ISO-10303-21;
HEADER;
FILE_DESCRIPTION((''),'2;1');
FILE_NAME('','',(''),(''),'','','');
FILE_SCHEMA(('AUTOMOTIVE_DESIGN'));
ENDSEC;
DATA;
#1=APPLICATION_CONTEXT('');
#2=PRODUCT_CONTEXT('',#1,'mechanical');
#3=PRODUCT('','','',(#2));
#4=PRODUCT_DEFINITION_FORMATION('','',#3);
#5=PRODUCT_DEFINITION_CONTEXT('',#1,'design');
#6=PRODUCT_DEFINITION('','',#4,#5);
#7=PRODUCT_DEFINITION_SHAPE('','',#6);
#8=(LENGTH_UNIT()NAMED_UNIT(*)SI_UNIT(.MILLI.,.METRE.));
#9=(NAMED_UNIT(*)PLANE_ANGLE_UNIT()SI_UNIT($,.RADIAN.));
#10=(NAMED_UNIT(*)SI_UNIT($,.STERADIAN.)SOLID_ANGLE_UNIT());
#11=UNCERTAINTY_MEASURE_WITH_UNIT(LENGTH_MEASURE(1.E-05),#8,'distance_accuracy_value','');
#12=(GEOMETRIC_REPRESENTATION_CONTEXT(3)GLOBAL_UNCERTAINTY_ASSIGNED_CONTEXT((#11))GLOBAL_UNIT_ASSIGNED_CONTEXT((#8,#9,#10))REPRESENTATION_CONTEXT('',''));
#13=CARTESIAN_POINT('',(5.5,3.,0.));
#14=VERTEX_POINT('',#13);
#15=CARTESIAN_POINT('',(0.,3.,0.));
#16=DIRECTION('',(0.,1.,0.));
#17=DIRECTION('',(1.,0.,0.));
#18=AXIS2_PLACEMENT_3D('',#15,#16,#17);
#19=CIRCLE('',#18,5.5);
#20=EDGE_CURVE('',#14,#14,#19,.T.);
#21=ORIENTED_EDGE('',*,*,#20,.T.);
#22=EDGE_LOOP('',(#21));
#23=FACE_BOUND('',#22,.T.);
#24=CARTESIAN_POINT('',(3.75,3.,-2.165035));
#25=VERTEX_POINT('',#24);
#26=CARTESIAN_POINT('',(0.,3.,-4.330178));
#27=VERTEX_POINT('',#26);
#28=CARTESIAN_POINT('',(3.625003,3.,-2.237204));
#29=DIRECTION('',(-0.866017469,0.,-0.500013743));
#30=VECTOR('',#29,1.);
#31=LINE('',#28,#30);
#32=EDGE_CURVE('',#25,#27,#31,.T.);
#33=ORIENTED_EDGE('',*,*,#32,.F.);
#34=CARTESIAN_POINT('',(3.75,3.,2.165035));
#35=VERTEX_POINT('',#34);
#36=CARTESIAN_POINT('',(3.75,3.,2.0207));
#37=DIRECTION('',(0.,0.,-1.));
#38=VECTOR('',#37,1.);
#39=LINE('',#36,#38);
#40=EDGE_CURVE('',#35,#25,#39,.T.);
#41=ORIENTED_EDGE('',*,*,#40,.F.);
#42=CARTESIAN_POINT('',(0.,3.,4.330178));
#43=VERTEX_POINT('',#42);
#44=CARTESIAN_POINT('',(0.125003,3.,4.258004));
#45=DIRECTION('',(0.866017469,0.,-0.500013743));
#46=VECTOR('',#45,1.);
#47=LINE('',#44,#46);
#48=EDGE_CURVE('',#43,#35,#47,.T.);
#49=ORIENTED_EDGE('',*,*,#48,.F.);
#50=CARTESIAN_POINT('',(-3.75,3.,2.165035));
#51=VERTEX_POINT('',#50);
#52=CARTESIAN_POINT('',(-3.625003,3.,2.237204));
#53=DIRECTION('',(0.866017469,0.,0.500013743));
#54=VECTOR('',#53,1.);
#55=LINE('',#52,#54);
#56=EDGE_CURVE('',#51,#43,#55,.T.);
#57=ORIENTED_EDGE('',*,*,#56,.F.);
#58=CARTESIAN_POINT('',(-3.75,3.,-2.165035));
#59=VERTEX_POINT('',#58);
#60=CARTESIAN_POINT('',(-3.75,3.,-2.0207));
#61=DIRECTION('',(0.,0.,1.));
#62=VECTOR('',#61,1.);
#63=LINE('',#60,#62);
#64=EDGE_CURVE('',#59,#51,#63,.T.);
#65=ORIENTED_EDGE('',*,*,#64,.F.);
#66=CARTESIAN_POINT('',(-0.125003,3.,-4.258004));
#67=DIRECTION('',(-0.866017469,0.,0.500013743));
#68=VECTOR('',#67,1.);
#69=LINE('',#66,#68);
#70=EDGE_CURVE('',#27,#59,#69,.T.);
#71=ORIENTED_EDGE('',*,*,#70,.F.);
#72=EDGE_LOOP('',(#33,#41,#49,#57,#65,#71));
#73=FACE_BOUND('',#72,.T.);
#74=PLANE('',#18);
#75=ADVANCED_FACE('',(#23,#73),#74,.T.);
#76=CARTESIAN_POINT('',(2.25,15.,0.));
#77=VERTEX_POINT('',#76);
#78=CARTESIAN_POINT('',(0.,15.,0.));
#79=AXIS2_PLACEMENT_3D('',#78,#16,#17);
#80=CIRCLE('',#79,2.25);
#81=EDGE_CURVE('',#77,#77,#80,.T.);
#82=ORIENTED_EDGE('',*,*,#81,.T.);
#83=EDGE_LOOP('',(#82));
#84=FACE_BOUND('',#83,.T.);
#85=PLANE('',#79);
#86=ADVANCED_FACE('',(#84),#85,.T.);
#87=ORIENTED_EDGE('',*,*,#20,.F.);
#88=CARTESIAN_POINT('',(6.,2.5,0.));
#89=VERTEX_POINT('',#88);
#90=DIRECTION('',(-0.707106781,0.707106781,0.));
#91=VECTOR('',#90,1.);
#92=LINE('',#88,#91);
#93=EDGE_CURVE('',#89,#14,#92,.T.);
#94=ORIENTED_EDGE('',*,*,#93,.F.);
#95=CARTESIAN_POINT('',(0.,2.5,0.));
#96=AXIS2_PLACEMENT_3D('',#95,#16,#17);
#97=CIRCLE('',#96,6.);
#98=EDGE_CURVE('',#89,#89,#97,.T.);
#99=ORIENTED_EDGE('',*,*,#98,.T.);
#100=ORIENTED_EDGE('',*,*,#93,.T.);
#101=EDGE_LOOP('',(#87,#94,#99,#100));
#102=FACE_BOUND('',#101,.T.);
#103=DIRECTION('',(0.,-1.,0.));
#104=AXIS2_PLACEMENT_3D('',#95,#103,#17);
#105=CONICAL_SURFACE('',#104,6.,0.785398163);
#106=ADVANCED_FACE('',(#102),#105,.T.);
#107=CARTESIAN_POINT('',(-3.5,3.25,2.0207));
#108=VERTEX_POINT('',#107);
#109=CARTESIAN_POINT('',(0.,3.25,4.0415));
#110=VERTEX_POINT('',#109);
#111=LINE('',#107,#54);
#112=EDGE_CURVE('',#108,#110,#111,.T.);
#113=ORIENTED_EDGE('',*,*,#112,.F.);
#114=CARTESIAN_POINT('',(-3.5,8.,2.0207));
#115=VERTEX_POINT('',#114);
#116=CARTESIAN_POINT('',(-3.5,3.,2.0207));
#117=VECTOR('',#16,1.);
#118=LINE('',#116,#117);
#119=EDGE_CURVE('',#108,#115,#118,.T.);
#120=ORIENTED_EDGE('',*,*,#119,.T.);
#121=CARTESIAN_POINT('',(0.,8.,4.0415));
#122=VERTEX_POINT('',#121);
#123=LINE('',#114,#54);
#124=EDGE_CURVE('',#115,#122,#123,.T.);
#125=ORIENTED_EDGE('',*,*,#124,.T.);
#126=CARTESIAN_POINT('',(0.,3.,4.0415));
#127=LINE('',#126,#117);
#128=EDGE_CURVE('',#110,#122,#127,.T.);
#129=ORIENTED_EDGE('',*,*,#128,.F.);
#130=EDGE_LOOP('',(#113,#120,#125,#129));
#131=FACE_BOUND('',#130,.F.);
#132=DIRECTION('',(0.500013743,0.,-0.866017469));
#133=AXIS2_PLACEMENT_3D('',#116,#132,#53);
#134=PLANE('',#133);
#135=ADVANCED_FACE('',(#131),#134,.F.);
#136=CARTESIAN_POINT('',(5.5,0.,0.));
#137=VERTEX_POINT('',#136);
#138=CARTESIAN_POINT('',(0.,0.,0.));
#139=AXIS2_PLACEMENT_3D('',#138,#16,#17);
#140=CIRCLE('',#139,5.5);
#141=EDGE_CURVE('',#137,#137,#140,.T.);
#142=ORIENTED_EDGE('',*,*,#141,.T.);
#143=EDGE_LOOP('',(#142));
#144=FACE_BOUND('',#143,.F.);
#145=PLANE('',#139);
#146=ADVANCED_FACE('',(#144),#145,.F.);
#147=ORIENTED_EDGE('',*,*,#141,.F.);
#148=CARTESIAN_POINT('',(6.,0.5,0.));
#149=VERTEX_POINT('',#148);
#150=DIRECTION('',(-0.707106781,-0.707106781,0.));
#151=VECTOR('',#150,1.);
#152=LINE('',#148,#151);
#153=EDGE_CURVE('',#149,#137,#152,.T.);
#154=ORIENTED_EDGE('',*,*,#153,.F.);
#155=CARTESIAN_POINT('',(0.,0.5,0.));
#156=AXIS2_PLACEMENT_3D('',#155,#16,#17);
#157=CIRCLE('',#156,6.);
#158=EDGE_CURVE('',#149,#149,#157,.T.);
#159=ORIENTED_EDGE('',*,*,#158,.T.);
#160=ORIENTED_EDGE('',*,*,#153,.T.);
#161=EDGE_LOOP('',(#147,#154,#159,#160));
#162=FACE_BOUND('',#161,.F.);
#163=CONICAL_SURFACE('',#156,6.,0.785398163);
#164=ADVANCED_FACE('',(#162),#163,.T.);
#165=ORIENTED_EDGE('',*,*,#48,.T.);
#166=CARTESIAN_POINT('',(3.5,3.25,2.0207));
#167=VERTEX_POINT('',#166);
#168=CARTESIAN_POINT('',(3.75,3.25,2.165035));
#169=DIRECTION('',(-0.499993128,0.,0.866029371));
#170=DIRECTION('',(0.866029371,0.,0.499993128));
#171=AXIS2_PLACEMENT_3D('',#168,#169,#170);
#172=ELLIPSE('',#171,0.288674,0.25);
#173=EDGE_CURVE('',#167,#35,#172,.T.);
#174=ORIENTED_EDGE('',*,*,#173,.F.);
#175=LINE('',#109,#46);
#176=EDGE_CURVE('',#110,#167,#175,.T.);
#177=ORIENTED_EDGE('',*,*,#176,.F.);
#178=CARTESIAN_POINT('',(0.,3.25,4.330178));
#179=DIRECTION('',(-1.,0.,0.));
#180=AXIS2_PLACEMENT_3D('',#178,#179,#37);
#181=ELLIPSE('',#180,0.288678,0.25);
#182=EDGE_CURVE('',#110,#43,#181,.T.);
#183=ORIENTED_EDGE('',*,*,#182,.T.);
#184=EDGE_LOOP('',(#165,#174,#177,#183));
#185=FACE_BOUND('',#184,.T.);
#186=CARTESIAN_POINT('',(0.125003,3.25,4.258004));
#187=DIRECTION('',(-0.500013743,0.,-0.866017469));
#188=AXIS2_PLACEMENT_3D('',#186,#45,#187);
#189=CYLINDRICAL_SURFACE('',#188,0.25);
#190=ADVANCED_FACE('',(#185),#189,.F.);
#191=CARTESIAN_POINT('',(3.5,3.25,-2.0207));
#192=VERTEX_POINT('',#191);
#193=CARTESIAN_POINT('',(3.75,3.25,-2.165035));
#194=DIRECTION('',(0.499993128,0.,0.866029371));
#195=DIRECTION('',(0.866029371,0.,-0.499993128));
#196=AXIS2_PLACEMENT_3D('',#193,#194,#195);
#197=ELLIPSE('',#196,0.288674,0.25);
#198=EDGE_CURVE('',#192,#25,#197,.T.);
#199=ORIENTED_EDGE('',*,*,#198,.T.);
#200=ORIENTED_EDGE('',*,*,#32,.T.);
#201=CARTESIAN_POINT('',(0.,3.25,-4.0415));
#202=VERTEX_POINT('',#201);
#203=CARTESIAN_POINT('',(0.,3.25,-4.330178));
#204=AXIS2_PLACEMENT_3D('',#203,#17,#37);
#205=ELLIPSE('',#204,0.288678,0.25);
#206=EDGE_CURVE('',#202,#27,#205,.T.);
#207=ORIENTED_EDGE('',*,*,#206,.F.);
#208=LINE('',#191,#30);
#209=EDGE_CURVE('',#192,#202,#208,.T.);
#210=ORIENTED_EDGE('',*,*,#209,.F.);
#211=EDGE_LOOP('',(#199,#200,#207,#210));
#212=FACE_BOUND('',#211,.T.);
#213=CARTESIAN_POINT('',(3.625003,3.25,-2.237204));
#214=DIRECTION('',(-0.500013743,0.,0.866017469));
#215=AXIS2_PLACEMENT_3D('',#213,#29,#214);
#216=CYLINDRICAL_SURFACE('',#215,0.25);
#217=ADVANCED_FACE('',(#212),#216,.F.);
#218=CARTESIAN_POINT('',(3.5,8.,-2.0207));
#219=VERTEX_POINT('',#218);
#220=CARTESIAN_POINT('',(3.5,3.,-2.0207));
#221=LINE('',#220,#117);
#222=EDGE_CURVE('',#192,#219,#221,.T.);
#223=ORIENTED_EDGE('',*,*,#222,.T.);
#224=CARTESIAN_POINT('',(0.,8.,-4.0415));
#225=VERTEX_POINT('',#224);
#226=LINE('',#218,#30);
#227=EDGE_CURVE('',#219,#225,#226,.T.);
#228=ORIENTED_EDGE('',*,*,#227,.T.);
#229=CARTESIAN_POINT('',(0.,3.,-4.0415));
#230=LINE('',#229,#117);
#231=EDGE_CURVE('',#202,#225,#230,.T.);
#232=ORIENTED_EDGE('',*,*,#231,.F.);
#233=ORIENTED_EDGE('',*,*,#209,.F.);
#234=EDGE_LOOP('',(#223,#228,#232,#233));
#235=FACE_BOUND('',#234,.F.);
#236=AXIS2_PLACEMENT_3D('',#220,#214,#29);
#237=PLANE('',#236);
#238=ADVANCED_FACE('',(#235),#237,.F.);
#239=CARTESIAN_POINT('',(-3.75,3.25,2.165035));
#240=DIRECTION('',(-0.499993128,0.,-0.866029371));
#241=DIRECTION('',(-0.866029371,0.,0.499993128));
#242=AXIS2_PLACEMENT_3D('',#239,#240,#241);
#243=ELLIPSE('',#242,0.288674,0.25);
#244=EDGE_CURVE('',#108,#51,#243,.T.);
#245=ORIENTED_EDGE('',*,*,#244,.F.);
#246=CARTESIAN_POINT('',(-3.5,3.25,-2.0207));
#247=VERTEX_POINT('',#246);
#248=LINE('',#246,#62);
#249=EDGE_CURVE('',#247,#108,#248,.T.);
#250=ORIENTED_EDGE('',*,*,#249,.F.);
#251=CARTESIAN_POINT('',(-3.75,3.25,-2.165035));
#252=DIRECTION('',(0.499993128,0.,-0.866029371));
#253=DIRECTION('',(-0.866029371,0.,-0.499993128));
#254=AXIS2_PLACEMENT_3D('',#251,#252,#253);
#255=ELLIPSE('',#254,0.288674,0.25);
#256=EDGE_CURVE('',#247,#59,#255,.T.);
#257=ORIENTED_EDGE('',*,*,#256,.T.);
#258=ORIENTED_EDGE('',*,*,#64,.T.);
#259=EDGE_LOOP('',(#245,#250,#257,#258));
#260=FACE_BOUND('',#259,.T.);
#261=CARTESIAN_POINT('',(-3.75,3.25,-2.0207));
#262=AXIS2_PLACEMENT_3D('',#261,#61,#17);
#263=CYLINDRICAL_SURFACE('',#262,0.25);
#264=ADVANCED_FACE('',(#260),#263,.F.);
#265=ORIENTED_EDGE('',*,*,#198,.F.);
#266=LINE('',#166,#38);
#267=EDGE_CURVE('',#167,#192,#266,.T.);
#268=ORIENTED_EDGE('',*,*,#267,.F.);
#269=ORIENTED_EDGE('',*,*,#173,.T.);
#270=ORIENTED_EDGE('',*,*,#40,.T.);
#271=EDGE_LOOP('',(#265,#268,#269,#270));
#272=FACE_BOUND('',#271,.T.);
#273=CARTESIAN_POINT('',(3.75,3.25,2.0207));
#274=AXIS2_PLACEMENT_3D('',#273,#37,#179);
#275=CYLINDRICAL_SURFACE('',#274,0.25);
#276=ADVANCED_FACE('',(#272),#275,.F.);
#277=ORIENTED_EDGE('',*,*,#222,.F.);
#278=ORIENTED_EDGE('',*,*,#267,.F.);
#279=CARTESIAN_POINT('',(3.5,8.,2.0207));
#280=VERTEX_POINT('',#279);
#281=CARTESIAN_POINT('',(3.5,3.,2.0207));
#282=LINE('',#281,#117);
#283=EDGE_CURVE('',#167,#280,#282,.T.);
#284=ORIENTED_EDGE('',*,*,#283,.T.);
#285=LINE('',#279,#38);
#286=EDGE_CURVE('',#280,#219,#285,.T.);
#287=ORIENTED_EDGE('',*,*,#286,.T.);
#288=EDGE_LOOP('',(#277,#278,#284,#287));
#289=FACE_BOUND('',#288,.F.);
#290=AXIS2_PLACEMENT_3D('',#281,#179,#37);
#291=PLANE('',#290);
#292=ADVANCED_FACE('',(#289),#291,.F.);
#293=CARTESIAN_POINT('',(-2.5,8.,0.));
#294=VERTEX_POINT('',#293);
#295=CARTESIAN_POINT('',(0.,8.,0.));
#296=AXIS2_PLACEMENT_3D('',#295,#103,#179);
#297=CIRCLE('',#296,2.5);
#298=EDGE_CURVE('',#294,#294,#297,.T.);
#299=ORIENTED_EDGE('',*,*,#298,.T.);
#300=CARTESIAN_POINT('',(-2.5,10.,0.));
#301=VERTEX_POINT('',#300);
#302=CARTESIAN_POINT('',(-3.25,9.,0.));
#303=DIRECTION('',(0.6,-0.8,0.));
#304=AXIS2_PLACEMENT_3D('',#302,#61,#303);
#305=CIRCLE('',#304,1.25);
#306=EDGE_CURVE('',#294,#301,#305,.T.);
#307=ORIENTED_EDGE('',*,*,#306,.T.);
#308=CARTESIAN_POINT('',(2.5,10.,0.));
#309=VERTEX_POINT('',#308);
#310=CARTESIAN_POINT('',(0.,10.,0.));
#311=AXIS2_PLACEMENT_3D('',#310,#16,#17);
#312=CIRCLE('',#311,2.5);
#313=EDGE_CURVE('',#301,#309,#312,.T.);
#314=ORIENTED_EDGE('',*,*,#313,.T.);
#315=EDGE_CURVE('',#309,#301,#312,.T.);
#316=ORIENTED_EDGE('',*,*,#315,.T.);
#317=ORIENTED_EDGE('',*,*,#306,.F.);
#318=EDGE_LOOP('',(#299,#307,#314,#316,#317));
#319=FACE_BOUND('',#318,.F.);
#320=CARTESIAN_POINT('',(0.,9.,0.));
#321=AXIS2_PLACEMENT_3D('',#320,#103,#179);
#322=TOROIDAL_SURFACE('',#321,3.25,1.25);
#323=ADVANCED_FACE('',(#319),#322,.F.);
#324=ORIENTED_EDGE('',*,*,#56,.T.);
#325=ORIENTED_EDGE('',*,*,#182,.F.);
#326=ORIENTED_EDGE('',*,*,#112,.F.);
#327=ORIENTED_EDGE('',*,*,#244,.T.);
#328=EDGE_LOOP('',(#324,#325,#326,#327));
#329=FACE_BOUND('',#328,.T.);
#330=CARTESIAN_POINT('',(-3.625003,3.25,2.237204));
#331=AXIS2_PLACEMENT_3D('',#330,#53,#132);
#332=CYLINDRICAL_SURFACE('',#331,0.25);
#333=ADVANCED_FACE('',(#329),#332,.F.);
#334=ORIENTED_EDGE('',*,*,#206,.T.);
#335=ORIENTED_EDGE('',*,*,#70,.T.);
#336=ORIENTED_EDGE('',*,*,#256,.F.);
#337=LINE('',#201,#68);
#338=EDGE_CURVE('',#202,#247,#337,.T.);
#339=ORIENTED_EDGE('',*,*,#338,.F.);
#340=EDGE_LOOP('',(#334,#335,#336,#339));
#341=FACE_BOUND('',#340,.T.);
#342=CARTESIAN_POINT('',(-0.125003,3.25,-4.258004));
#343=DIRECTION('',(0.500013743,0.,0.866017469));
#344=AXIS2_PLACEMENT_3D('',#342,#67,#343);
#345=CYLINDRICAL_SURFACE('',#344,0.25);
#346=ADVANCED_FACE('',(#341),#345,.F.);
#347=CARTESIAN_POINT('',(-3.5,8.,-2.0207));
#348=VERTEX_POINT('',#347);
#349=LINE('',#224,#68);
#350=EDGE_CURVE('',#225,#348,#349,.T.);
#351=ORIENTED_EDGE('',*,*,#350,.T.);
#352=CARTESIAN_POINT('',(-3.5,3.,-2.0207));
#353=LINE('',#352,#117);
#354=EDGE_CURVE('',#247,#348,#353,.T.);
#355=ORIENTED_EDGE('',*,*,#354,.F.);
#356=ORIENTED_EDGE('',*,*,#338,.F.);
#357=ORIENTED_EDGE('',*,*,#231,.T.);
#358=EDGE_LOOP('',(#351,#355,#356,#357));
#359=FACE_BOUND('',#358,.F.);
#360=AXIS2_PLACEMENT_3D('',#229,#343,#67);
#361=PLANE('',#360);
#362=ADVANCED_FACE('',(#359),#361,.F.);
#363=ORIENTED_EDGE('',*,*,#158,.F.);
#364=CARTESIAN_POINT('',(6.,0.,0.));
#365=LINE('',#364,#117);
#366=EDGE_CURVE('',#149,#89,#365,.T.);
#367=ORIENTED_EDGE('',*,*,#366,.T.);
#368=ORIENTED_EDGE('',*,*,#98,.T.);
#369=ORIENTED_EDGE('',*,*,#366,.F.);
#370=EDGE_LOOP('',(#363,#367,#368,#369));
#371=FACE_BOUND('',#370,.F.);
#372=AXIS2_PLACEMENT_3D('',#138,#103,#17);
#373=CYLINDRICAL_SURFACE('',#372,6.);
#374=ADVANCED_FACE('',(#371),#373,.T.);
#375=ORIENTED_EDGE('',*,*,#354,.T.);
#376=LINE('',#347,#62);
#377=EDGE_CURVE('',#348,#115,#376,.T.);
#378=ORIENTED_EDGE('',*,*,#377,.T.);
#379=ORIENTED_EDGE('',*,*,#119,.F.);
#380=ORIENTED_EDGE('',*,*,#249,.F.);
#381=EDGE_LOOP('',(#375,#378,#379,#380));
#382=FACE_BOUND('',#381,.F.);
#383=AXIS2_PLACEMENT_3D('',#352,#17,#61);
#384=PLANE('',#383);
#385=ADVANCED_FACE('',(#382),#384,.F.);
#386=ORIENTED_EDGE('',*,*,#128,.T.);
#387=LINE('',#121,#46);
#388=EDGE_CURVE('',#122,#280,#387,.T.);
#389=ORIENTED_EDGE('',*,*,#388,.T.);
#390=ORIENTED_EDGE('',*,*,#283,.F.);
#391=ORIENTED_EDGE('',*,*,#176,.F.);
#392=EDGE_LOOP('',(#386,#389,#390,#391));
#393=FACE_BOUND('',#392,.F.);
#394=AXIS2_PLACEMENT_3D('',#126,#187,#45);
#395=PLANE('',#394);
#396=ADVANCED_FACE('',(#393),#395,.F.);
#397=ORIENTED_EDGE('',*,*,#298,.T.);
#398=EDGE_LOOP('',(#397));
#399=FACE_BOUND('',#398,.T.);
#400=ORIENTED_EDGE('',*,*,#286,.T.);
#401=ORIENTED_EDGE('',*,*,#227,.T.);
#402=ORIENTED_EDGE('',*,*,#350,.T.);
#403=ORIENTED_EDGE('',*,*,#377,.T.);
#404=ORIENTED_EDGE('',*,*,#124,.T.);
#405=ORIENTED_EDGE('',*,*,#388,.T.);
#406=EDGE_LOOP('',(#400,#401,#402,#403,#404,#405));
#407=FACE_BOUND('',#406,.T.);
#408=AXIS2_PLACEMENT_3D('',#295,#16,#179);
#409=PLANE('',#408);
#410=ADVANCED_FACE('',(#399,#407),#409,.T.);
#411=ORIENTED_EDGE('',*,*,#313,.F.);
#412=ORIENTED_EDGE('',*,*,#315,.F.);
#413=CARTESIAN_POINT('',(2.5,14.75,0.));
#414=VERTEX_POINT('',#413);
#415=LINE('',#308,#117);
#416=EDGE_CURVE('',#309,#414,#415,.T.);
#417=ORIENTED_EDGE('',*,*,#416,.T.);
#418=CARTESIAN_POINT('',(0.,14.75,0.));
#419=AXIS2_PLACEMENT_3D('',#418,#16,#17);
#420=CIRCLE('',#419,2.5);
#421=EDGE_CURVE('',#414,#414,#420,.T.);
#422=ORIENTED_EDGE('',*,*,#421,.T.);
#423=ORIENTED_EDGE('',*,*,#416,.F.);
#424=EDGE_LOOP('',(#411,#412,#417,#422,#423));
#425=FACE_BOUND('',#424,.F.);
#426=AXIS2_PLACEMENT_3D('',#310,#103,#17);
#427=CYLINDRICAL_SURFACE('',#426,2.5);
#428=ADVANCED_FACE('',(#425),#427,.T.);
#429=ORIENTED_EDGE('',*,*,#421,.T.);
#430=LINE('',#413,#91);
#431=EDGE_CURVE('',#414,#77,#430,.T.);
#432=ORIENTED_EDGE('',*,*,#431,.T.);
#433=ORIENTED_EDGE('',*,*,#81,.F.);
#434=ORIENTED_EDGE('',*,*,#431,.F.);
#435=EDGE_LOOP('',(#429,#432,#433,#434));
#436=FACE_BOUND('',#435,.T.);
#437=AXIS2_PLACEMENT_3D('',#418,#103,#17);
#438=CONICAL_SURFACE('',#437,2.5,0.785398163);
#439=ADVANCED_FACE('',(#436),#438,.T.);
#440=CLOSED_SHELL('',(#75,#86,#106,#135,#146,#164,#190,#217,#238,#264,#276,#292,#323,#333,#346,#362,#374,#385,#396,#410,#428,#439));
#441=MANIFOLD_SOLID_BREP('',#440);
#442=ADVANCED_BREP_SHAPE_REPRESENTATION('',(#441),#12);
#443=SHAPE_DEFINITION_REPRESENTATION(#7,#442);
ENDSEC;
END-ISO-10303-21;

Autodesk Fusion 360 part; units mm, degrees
sketch "Sketch1" plane through (0, 0, 0) normal (0, 1, 0) x (1, 0, 0)
  circle A0 centre (0, 0) radius 6
  dimension "d1" = 12
extrude "Extrude1" add sketch "Sketch1" along normal blind 3 makes body 1
chamfer "Chamfer1" distance 0.5 angle 45 2 edges at (-5.594, 3, 2.1697) (-5.594, 0, 2.1697) on bodies 1
sketch "Sketch2" plane through (0, 3, 0) normal (0, 1, 0) x (-1, 0, 0)
  circle A0 centre (0, 0) radius 5.5
  line L0 (-3.5, -2.0207) -> (0, -4.0415)
  line L1 (0, -4.0415) -> (3.5, -2.0207)
  line L2 (3.5, -2.0207) -> (3.5, 2.0207)
  line L3 (3.5, 2.0207) -> (0, 4.0415)
  line L4 (0, 4.0415) -> (-3.5, 2.0207)
  line L5 (-3.5, 2.0207) -> (-3.5, -2.0207)
extrude "Extrude2" add sketch "Sketch2" along normal blind 5 contours L0 L1 L2 L3 L4 L5 bodies 1
ref_plane "WorkPlane1" through (0, 10, 0) normal (0, 1, 0) x (0, 0, 1)
sketch "Sketch3" plane through (0, 10, 0) normal (0, 1, 0) x (1, 0, 0)
  circle A0 centre (0, 0) radius 2.5
  dimension "d8" = 5
extrude "Extrude3" add sketch "Sketch3" along normal blind 5 separate body makes body 2
sketch "Sketch4" plane through (0, 0, 0) normal (0, 0, 1) x (1, 0, 0)
  arc A0 (-2.5, 8) -> (-2.5, 10) centre (-3.25, 9) ccw
  line L0 (-2.5, 10) -> (0, 10)
  line L1 (0, 10) -> (0, 8)
  line L2 (0, 8) -> (-2.5, 8)
revolve "Revolve1" add sketch "Sketch4" angle 360 about axis through (0, 10, 0) along (0, -1, 0) bodies 1 2
chamfer "Chamfer2" distance 0.25 angle 45 1 edges at (-2.3308, 15, 0.904) on bodies 1
thread "Thread1" thread offset 0 thread length 10
fillet "Fillet1" radius 0.25 6 edges at (1.75, 3, 3.0311) (3.5, 3, 0) (1.75, 3, -3.0311) (-1.75, 3, -3.0311) (-3.5, 3, 0) (-1.75, 3, 3.0311) on bodies 1
